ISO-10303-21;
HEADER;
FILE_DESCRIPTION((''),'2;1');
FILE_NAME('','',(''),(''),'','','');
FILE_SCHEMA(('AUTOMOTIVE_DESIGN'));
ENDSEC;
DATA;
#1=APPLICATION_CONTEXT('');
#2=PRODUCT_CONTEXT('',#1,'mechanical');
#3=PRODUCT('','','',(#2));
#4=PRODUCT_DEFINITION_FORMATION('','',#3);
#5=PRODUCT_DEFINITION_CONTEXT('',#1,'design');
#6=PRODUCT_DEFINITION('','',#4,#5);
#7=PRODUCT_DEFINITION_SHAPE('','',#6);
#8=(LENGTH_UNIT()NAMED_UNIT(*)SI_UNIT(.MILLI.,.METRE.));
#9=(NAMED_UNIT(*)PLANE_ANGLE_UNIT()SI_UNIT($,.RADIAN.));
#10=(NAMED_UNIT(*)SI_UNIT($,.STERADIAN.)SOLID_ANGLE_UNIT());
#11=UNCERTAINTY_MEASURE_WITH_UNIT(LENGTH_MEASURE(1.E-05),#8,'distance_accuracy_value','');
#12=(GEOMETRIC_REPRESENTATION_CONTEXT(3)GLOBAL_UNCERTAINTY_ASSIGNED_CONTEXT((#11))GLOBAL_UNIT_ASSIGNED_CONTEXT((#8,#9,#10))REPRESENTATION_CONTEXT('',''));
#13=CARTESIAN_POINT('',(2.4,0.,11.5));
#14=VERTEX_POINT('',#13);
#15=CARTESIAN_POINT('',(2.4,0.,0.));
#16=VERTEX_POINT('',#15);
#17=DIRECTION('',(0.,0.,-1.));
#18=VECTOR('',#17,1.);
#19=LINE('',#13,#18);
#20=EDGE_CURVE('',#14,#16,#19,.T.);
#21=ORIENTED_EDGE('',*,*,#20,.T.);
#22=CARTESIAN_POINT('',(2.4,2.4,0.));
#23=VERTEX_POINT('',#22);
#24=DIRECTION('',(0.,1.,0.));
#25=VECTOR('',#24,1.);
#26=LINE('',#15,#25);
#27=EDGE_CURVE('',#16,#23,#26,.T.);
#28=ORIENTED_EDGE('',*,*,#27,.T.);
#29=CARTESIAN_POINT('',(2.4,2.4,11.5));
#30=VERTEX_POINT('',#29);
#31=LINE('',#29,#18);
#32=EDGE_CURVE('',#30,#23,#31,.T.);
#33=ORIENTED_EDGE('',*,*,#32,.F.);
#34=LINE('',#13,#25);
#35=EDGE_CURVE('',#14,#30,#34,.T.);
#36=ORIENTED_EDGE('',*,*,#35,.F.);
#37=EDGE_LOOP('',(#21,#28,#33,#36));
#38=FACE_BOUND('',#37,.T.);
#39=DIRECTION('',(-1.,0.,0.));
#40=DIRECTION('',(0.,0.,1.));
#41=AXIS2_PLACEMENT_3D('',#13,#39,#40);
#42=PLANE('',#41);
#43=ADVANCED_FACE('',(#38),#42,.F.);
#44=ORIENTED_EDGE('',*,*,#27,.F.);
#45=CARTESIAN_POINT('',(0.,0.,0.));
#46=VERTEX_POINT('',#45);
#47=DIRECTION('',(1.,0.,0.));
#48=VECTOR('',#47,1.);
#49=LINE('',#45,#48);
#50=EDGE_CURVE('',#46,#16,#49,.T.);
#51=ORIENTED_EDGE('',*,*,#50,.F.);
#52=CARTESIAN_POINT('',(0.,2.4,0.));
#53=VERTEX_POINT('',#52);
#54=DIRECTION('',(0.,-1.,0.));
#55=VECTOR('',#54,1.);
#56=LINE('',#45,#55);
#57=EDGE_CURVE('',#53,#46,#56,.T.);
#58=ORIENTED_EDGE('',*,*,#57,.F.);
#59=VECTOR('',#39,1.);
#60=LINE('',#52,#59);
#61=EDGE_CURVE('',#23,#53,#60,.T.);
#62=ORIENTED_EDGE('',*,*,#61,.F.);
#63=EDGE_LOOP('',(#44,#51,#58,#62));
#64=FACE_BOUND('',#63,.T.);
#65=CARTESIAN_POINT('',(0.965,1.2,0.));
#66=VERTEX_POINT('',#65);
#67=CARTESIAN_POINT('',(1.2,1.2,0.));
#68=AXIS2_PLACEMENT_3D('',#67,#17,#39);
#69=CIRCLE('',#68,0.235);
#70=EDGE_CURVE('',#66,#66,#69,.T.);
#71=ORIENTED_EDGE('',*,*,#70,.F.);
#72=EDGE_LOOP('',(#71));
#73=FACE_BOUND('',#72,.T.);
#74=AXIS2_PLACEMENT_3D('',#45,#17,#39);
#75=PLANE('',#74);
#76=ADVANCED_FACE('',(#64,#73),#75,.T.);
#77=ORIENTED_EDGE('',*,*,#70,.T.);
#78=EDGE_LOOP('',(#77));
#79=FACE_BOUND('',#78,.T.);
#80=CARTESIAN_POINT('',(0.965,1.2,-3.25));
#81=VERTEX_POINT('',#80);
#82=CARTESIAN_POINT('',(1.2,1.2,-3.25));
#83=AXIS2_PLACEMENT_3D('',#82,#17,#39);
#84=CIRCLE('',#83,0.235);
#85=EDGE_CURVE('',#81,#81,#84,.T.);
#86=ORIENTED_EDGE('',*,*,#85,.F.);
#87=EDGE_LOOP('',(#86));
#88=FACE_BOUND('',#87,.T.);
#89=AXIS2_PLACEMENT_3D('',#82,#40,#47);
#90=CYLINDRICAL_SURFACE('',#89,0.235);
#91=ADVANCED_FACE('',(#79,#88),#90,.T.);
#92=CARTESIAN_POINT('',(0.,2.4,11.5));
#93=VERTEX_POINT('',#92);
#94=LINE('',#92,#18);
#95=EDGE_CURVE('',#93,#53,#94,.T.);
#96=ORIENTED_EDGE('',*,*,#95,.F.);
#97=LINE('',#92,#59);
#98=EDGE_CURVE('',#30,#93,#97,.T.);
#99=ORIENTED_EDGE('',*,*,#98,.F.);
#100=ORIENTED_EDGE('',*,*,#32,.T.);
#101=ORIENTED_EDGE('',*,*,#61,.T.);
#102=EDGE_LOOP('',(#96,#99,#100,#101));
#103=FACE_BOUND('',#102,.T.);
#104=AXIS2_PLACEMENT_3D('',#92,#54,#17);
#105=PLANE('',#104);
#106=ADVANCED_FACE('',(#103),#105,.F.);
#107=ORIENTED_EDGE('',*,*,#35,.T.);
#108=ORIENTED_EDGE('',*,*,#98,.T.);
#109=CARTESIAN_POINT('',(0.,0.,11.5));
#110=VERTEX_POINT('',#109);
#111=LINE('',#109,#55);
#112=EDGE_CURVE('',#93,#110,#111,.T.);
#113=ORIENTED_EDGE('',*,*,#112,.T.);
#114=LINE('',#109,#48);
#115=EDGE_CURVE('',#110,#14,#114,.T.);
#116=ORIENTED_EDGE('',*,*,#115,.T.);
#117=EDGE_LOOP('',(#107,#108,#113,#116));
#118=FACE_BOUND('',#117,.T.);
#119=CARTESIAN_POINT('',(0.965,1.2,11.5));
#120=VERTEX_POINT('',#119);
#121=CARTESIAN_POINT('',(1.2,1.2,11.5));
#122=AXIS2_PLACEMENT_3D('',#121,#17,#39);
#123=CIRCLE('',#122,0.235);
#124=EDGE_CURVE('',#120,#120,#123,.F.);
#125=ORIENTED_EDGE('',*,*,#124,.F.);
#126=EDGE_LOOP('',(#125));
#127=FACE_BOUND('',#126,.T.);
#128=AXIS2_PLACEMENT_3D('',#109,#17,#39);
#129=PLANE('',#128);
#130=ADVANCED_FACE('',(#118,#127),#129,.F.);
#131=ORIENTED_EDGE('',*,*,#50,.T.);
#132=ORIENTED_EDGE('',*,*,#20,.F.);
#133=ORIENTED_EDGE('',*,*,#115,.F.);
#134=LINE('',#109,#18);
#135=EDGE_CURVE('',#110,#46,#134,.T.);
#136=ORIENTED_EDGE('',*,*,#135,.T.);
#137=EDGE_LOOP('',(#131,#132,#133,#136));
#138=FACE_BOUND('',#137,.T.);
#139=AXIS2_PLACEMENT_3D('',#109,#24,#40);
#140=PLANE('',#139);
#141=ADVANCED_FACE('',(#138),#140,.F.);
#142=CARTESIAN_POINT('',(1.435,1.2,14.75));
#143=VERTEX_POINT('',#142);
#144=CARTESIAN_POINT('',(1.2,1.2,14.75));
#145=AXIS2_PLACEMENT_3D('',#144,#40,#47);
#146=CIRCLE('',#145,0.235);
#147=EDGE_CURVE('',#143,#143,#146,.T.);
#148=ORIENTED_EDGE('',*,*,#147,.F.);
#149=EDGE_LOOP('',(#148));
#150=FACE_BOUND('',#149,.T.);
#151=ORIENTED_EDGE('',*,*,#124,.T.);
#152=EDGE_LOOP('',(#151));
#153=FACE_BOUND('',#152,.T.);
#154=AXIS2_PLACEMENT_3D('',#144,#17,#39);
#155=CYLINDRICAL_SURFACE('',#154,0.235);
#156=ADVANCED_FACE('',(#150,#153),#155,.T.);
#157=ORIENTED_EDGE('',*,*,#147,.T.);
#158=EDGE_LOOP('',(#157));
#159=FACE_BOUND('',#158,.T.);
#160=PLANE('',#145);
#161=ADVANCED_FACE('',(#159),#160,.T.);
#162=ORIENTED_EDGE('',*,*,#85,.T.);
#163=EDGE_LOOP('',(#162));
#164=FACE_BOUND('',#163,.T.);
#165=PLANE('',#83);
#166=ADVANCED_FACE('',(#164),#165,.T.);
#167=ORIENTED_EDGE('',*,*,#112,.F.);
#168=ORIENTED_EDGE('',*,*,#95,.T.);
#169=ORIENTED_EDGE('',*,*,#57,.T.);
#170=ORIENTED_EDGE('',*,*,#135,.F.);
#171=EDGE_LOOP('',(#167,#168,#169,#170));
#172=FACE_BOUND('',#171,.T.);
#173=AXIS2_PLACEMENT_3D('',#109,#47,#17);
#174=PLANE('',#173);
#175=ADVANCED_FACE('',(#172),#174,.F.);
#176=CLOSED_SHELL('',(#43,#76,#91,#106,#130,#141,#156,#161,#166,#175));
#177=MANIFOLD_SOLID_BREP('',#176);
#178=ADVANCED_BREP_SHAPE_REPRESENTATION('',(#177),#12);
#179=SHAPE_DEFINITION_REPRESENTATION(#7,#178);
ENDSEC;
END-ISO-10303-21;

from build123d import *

# Parameters (mm, degrees)
SKETCH_1_W      = 2.4
SKETCH_1_H      = 2.4
EXTRUDE_1_DEPTH = 11.5
SKETCH_2_R      = 0.235
EXTRUDE_2_DEPTH = 3.25
SKETCH_3_R      = 0.235
EXTRUDE_3_DEPTH = 3.25


with BuildPart() as part:
    # ｽｹｯﾁ1 → ﾎﾞｽ - 押し出し1 (new body)
    with BuildSketch(Plane.XY):
        with Locations((1.2, 1.2)):
            Rectangle(SKETCH_1_W, SKETCH_1_H)
    extrude(amount=EXTRUDE_1_DEPTH)

    # ｽｹｯﾁ2 → ﾎﾞｽ - 押し出し2 (add)
    with BuildSketch(Plane.XY.offset(11.5)):
        with Locations((1.2, 1.2)):
            Circle(SKETCH_2_R)
    extrude(amount=EXTRUDE_2_DEPTH)

    # ｽｹｯﾁ3 → ﾎﾞｽ - 押し出し3 (add)
    with BuildSketch(Plane(origin=(0, 0, 0), x_dir=(-1, 0, 0), z_dir=(0, 0, -1))):
        with Locations((-1.2, 1.2)):
            Circle(SKETCH_3_R)
    extrude(amount=EXTRUDE_3_DEPTH)


solid = part.part
